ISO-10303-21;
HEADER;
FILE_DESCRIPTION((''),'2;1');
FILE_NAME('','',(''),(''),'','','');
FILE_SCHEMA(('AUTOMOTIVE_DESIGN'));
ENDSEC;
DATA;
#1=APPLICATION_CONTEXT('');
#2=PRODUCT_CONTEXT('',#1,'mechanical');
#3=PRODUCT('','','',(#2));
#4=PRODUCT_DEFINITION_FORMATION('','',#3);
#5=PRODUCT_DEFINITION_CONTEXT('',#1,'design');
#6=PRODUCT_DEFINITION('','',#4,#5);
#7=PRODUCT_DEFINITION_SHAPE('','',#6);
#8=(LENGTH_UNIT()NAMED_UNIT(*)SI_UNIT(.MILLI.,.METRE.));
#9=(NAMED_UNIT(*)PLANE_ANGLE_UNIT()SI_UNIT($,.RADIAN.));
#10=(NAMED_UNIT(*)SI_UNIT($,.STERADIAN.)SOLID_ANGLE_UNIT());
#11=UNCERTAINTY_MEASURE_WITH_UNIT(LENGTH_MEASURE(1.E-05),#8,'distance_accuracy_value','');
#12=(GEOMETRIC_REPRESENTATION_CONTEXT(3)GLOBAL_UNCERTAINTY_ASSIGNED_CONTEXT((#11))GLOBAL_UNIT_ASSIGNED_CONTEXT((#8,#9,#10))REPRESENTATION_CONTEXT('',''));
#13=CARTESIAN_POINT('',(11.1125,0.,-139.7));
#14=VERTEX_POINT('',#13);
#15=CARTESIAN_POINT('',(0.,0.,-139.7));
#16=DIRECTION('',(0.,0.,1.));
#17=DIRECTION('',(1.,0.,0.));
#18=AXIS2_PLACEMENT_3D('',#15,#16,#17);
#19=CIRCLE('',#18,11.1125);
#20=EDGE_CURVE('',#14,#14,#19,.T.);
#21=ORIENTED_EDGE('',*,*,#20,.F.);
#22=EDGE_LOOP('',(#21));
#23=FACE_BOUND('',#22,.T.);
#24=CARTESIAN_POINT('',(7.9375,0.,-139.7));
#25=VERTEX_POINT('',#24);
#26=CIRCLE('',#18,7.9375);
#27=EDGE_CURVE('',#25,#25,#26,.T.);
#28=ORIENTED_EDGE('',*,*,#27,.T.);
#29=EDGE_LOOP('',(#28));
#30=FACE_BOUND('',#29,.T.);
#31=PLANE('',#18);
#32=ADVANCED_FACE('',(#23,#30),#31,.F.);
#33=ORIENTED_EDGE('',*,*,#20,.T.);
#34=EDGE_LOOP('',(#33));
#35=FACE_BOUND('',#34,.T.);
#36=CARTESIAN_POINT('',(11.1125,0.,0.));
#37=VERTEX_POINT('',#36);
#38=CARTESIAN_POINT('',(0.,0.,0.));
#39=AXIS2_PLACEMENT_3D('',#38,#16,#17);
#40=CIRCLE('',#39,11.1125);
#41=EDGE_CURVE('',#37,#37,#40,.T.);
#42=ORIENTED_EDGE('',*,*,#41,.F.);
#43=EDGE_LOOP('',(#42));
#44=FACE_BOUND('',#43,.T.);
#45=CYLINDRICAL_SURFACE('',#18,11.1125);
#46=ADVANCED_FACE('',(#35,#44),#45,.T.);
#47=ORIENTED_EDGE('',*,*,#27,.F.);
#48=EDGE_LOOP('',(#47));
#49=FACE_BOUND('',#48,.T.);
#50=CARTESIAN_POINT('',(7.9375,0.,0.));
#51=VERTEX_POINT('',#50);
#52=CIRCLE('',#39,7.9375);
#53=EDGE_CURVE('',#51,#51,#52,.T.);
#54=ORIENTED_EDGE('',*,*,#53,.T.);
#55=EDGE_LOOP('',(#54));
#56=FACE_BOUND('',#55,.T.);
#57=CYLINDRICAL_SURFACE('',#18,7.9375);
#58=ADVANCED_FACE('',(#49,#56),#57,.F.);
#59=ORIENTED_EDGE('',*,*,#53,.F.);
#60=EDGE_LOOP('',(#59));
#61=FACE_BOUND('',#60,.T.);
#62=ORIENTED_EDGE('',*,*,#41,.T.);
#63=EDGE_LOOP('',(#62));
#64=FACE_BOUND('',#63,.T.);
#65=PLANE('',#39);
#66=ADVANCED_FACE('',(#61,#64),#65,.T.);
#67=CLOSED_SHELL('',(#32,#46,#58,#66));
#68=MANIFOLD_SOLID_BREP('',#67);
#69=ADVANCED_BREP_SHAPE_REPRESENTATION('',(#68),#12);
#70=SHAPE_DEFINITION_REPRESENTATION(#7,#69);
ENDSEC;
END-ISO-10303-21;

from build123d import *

# Parameters (mm, degrees)
SKETCH1_R           = 11.1125
SKETCH1_R_2         = 7.9375
BOSS_EXTRUDE1_DEPTH = 139.7


with BuildPart() as part:
    # Sketch1 → Boss-Extrude1 (new body)
    with BuildSketch(Plane.XY):
        Circle(SKETCH1_R)
        Circle(SKETCH1_R_2, mode=Mode.SUBTRACT)
    extrude(amount=-BOSS_EXTRUDE1_DEPTH)


solid = part.part
